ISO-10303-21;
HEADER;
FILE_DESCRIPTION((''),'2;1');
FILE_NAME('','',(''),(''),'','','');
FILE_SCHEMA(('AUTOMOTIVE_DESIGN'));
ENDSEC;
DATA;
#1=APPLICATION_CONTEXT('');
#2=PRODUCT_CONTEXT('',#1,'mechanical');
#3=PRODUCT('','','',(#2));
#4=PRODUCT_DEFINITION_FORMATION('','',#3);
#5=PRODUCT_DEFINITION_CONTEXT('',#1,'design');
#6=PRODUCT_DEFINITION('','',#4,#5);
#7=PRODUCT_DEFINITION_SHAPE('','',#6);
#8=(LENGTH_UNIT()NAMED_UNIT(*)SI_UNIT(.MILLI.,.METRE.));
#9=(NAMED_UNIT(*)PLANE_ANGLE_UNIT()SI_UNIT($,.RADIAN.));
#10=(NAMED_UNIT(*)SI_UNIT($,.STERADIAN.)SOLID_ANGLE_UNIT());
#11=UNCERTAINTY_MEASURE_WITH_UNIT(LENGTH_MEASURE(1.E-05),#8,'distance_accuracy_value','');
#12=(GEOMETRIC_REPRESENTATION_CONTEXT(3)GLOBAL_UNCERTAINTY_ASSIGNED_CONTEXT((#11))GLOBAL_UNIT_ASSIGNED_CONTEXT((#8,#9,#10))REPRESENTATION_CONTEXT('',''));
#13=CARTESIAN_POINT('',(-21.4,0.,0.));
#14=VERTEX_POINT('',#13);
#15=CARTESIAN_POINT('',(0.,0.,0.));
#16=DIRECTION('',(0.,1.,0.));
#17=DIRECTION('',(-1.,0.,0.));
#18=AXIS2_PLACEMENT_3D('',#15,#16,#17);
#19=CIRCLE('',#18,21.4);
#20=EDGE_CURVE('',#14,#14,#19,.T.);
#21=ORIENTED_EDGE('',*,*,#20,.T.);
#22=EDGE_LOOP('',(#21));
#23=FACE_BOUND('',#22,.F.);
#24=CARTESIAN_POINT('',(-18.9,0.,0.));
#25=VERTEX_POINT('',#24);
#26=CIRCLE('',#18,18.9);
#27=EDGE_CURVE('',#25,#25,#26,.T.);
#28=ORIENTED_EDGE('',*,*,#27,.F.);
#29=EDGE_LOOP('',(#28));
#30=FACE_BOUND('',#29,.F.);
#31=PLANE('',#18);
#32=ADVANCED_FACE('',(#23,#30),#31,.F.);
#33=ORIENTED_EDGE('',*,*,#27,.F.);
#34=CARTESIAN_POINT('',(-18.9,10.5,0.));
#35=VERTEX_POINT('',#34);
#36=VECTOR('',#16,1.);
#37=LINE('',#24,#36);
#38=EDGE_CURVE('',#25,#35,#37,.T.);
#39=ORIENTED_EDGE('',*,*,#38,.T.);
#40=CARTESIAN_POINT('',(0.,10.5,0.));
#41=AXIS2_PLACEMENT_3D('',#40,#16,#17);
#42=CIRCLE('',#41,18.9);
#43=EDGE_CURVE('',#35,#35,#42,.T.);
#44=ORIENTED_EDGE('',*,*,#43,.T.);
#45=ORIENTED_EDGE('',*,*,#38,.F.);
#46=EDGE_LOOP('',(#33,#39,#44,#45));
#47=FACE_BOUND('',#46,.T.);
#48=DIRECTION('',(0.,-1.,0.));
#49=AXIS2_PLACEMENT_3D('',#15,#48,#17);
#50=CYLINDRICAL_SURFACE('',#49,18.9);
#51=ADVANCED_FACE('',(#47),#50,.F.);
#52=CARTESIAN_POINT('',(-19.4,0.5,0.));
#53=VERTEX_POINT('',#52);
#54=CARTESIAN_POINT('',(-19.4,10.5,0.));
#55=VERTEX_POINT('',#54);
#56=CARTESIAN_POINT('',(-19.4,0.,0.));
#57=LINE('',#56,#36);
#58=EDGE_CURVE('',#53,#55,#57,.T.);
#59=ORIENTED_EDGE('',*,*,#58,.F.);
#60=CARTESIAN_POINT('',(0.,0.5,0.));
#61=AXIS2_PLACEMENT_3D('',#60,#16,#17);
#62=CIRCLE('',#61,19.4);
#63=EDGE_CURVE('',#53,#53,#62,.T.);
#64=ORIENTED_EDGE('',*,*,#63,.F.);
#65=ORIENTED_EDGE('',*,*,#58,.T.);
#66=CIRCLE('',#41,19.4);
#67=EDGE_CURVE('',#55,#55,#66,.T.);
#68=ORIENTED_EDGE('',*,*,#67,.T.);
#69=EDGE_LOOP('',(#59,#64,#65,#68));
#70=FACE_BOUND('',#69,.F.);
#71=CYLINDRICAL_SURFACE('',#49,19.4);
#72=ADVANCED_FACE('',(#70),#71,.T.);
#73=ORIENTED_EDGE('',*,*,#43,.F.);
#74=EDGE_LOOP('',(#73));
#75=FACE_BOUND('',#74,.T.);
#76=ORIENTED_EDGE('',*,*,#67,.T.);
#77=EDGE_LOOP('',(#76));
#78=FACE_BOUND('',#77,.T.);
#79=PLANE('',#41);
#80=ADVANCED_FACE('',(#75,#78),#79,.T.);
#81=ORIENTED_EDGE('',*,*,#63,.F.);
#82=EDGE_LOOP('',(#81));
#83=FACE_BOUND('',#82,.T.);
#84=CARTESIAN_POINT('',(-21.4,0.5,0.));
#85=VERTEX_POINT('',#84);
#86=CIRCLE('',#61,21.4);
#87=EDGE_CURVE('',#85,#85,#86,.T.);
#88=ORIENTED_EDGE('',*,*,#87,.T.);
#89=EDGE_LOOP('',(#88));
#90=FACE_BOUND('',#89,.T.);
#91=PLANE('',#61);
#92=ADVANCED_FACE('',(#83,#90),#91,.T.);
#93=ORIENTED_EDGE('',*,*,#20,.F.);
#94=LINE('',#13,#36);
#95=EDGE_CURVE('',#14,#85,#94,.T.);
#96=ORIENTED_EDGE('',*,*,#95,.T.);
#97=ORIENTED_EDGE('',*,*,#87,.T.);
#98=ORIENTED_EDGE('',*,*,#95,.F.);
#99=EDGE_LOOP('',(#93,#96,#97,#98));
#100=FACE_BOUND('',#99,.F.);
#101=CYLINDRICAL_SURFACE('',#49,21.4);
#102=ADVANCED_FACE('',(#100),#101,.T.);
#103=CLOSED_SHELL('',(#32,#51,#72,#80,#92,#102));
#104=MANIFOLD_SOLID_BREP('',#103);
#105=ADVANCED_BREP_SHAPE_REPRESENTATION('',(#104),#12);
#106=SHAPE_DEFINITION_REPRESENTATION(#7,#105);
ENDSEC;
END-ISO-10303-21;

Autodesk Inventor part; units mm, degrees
ref_plane "YZ Plane" through (0, 0, 0) normal (1, 0, 0) x (0, 1, 0)
ref_plane "XZ Plane" through (0, 0, 0) normal (0, 1, 0) x (-1, 0, 0)
ref_plane "XY Plane" through (0, 0, 0) normal (0, 0, 1) x (1, 0, 0)
sketch "Sketch1" plane through (0, 0, 0) normal (0, 1, 0) x (-1, 0, 0)
  circle A0 centre (0, 0) radius 19.4
  circle A1 centre (0, 0) radius 18.9
  circle A2 centre (0, 0) radius 21.4
  dimension "d0" = 38.8
  dimension "d1" = 0.5
  dimension "d4" = 2
extrude "Extrusion1" add sketch "Sketch1" along normal blind 10.5 contours A0
extrude "Extrusion2" add sketch "Sketch1" along normal blind 0.5 contours A2
equation "\"d0\" = bottleDiameter"
equation "\"d1\" = tpuTick"
equation "\"d4\" = 4 * tpuTick"
equation "\"d5\" = tpuTick"
equation "\"capDiameter\" = 29.5"
equation "\"bottleLen\" = 81.3"
equation "\"bottleDiameter\" = 38.8"
equation "\"tubeInsideDiameter\" = 2"
equation "\"tubeOutsideDiameter\" = 5.4"
equation "\"tick\" = 2"
equation "\"connectorDiameter\" = 35"
equation "\"connectorInsideDiameter\" = tubeInsideDiameter - tick"
equation "\"connectorTubeDepth\" = 18.5"
equation "\"tubeFlapDepth\" = 3"
equation "\"tubeFlapAngle\" = 15deg"
equation "\"minTick\" = 0.25"
equation "\"tubeLinkTick\" = 2"
equation "\"tubeTolerance\" = 0.3"
equation "\"tickHolder\" = 1"
equation "\"tpuTick\" = 0.5"
properties part number "tpuBase"
